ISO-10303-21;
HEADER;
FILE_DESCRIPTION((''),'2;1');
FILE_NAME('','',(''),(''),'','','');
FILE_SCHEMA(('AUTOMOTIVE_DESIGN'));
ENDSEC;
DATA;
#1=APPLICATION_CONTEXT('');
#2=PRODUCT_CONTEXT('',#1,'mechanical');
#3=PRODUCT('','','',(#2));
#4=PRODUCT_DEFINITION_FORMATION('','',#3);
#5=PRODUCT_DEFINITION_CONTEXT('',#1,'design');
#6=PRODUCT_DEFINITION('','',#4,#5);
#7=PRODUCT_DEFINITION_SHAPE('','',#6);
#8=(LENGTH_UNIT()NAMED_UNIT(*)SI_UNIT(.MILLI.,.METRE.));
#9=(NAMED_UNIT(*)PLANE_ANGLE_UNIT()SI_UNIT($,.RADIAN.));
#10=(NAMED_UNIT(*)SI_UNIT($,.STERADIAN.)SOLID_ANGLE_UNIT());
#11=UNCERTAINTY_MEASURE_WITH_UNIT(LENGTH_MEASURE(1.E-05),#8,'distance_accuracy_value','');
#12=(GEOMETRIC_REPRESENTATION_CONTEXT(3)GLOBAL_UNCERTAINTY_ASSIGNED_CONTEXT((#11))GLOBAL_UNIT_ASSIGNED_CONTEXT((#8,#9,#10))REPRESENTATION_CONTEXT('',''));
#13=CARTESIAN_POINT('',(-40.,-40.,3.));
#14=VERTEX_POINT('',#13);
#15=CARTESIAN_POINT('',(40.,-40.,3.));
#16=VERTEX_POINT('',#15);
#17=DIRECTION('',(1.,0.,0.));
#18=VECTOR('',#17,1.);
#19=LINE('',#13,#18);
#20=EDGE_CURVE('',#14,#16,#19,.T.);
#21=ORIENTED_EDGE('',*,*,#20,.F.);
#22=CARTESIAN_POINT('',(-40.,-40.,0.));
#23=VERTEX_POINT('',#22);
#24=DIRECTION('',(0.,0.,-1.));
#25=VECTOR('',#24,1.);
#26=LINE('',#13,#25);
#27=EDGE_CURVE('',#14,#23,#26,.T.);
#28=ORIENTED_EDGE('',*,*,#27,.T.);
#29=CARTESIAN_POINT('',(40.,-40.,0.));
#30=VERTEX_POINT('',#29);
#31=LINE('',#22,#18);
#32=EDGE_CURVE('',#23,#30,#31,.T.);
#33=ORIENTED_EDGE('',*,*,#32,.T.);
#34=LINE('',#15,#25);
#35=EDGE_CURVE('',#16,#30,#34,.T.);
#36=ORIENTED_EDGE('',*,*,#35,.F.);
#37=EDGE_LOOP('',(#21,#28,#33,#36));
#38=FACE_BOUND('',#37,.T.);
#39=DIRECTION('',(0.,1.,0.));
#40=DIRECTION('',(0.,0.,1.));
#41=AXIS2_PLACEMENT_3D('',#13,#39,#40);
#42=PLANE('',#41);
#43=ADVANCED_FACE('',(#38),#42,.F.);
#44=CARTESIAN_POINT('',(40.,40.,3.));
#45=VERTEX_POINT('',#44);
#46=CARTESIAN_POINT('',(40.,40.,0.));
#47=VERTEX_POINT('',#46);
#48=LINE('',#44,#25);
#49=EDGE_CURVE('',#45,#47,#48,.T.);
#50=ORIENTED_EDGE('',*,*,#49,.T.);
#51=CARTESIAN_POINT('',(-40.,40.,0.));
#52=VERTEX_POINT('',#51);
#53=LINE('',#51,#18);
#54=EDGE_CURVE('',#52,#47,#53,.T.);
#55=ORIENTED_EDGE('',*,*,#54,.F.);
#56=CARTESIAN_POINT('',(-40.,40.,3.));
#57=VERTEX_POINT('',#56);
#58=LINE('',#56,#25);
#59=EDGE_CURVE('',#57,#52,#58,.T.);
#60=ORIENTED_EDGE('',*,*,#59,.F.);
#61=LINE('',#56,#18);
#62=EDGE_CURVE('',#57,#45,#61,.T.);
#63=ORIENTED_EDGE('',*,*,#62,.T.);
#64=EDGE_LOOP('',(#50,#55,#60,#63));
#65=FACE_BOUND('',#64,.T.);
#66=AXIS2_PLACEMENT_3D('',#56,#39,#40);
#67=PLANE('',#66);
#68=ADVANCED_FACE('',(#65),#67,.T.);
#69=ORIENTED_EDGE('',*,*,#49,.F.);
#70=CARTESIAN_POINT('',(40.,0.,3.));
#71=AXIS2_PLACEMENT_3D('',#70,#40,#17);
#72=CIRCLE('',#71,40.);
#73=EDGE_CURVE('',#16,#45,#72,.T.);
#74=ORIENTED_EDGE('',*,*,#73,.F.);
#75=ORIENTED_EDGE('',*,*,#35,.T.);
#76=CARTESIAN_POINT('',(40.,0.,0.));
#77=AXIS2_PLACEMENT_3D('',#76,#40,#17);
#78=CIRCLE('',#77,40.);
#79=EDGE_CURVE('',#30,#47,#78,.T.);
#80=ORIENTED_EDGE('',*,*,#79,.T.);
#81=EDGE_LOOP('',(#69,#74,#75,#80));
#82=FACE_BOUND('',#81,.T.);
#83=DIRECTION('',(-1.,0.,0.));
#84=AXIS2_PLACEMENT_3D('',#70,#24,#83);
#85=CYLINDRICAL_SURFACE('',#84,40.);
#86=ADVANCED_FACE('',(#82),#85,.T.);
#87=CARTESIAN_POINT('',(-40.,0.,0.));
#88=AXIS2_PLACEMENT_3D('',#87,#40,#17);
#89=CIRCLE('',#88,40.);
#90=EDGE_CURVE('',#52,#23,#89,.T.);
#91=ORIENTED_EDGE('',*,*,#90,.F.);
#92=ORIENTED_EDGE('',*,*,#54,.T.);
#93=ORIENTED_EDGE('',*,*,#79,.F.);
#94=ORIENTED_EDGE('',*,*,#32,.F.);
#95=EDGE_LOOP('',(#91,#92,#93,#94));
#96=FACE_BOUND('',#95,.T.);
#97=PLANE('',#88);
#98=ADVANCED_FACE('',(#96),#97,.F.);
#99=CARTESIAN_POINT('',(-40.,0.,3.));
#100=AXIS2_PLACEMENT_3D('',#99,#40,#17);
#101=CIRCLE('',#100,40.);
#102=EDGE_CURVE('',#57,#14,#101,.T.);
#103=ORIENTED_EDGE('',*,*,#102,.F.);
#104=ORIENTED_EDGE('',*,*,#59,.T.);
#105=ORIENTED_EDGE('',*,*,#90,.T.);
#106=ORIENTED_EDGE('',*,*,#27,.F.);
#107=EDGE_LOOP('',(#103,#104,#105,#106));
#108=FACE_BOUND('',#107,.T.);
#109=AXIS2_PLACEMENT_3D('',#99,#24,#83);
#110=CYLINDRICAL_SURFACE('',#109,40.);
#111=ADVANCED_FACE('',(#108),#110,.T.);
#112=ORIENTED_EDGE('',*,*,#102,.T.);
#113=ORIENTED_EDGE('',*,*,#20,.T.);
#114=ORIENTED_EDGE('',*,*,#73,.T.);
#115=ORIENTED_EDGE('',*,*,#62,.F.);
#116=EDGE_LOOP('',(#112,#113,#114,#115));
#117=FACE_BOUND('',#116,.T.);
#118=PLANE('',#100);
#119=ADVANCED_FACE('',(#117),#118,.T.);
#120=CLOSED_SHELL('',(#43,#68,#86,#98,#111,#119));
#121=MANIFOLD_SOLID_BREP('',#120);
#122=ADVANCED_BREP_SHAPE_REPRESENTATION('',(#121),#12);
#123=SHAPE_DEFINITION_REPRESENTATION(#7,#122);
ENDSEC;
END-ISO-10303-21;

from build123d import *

# Parameters (mm, degrees)
EXTRUDE_1_DEPTH = 3


with BuildPart() as part:
    # Эскиз1 → Бобышка-Вытянуть1 (new body)
    with BuildSketch(Plane.XY):
        with BuildLine():
            Line((-40, 40), (40, 40))
            ThreePointArc((40, 40), (80, 0), (40, -40))
            Line((40, -40), (-40, -40))
            ThreePointArc((-40, -40), (-80, 0), (-40, 40))
        make_face()
    extrude(amount=EXTRUDE_1_DEPTH)


solid = part.part
